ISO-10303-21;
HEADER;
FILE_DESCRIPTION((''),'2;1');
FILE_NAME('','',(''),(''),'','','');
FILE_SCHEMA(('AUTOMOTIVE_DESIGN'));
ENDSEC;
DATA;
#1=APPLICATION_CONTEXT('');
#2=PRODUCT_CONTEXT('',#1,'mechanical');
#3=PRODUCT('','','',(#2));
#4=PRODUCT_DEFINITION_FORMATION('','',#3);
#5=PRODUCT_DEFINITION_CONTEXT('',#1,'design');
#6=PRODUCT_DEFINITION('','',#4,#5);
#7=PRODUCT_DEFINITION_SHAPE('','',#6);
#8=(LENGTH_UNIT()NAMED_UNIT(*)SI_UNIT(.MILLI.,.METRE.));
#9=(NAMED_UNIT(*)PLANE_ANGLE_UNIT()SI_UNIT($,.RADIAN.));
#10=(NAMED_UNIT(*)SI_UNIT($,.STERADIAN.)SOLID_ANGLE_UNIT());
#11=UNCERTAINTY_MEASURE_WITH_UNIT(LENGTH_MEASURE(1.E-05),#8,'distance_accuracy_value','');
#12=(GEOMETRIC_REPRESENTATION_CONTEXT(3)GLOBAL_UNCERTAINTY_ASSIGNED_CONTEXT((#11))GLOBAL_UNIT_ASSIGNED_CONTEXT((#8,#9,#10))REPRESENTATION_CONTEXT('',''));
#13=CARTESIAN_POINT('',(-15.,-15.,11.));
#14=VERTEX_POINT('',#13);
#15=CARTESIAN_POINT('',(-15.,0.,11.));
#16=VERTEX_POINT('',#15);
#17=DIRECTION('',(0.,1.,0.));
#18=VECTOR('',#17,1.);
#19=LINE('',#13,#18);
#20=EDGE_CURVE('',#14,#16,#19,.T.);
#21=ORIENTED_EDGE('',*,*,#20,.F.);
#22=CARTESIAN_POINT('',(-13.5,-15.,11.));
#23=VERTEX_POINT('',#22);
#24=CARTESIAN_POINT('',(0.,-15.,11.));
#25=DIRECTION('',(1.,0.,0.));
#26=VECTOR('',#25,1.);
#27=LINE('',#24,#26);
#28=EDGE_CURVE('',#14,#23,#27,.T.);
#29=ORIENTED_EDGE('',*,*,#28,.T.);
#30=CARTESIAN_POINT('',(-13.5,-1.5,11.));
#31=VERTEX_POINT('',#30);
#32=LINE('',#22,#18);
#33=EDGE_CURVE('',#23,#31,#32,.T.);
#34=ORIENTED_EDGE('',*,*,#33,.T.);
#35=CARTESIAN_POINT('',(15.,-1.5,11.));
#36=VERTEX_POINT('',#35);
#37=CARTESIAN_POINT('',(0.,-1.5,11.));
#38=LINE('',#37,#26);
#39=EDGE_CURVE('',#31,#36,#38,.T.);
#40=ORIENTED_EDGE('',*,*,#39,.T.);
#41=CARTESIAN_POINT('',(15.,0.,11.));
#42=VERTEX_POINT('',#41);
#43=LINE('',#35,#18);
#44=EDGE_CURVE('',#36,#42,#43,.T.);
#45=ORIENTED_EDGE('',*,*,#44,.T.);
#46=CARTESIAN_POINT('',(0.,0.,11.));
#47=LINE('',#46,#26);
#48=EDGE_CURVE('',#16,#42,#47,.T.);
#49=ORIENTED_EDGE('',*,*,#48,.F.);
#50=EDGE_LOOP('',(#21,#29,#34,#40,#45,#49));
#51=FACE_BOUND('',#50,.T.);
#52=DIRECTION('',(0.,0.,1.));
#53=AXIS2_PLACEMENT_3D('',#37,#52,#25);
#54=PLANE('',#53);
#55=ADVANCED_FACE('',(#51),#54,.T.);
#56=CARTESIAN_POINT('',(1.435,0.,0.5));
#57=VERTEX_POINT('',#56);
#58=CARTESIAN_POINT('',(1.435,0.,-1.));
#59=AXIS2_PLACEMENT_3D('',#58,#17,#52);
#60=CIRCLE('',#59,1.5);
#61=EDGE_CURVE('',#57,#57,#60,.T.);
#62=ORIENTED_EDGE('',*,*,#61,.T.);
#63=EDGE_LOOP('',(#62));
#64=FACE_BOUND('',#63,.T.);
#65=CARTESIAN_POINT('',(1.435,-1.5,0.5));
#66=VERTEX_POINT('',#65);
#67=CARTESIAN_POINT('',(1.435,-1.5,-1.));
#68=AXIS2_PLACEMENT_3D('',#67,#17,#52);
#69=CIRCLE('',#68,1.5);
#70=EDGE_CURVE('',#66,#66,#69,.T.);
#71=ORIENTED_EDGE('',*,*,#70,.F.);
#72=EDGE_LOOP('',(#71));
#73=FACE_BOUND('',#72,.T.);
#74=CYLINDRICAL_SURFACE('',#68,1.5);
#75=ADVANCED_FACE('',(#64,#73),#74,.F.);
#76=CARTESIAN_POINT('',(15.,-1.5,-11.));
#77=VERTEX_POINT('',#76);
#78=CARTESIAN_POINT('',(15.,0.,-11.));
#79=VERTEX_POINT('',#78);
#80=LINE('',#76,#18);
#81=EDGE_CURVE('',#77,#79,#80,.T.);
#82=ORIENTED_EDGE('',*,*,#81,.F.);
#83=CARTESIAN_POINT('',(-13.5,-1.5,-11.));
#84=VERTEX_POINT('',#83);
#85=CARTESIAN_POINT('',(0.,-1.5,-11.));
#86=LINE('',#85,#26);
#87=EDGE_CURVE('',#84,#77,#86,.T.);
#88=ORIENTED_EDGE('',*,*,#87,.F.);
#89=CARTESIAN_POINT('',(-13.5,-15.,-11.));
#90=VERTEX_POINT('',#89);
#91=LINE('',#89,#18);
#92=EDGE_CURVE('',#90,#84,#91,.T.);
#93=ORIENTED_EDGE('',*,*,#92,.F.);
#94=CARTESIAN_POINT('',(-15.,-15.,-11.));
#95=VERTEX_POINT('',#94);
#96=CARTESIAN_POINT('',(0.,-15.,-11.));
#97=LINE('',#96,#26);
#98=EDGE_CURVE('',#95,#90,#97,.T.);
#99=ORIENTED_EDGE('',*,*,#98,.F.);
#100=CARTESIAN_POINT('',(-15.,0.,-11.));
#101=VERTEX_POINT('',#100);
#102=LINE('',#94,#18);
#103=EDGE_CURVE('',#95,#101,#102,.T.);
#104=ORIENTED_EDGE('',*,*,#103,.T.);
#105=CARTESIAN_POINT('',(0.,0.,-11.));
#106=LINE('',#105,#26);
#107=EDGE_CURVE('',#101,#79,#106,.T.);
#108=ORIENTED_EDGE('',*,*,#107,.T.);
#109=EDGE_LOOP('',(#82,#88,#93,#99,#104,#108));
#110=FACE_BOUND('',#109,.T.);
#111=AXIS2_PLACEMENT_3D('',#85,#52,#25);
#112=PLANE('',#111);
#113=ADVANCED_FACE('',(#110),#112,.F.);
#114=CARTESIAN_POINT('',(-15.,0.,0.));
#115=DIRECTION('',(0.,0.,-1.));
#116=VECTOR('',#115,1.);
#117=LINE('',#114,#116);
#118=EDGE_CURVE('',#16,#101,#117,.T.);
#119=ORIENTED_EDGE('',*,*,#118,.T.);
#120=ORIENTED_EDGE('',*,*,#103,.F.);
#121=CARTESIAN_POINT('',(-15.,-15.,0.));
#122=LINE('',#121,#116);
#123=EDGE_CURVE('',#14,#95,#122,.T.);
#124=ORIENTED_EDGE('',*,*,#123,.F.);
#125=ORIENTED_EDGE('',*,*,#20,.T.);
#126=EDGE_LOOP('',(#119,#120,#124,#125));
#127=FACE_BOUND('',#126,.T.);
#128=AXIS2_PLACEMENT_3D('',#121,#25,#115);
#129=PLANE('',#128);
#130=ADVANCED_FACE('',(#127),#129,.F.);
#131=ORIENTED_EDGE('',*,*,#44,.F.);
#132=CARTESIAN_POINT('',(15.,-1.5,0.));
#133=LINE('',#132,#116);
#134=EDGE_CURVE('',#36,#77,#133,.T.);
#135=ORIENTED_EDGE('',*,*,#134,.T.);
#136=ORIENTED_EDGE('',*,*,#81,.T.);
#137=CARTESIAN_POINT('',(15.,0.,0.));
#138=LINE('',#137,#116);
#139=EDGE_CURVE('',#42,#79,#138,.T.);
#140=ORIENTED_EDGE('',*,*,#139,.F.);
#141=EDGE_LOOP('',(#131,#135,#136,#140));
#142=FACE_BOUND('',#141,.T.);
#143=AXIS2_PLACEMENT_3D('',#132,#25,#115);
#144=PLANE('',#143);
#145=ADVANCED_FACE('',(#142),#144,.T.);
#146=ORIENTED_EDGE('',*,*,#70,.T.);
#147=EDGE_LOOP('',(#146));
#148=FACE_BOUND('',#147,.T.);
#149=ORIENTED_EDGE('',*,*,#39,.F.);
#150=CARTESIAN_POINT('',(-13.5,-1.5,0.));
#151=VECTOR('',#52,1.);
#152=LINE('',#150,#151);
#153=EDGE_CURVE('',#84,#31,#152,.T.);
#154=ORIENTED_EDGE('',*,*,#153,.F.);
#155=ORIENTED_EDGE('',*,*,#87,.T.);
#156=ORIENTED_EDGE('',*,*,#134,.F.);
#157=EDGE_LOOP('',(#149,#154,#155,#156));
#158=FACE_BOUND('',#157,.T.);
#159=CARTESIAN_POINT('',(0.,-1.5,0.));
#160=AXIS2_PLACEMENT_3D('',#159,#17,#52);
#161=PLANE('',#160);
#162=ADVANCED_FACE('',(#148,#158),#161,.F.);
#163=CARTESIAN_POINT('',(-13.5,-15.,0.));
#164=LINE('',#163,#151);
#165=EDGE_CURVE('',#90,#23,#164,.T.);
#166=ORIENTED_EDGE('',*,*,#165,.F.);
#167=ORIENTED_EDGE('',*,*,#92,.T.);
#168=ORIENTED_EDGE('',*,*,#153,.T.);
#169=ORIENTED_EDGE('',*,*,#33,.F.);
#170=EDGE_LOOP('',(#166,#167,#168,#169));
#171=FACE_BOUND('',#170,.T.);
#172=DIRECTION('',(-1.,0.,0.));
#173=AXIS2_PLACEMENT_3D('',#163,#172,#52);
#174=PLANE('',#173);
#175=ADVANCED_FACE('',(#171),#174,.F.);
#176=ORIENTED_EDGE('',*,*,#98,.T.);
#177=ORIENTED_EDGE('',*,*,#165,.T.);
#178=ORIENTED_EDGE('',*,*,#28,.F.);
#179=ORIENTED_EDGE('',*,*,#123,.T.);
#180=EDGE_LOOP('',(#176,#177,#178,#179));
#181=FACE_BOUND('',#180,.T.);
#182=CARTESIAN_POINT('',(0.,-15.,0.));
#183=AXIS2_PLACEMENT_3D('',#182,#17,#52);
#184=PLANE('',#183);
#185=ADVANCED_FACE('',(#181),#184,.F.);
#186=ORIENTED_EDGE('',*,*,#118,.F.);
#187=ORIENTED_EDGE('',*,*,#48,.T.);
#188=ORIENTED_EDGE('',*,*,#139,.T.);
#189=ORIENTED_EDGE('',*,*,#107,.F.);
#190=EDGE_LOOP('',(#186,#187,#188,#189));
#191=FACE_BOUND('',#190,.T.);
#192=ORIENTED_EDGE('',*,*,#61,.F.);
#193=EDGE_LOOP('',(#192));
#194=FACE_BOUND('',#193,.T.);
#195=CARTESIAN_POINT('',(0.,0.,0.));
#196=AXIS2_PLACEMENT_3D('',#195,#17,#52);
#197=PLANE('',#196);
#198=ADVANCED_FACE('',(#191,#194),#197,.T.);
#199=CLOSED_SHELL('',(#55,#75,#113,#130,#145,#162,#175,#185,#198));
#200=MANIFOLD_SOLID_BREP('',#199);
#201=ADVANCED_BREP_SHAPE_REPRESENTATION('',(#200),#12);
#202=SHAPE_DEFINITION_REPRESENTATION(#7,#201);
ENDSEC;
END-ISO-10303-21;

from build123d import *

# Parameters (mm, degrees)
SKETCH1_W           = 28.5
SKETCH1_H           = 22
SKETCH1_R           = 1.5
BOSS_EXTRUDE1_DEPTH = 1.5
SKETCH1_3_W         = 1.5
SKETCH1_3_H         = 22
BOSS_EXTRUDE2_DEPTH = 15


with BuildPart() as part:
    # Sketch1 → Boss-Extrude1 (new body)
    with BuildSketch(Plane(origin=(0, 0, 0), x_dir=(1, 0, 0), z_dir=(0, 1, 0))):
        with Locations((0.75, 0)):
            Rectangle(SKETCH1_W, SKETCH1_H)
        with Locations((1.435, 1)):
            Circle(SKETCH1_R, mode=Mode.SUBTRACT)
    extrude(amount=-BOSS_EXTRUDE1_DEPTH)

    # Sketch1<3> → Boss-Extrude2 (add)
    with BuildSketch(Plane(origin=(0, 0, 0), x_dir=(1, 0, 0), z_dir=(0, 1, 0))):
        with Locations((-14.25, 0)):
            Rectangle(SKETCH1_3_W, SKETCH1_3_H)
    extrude(amount=-BOSS_EXTRUDE2_DEPTH)


solid = part.part
